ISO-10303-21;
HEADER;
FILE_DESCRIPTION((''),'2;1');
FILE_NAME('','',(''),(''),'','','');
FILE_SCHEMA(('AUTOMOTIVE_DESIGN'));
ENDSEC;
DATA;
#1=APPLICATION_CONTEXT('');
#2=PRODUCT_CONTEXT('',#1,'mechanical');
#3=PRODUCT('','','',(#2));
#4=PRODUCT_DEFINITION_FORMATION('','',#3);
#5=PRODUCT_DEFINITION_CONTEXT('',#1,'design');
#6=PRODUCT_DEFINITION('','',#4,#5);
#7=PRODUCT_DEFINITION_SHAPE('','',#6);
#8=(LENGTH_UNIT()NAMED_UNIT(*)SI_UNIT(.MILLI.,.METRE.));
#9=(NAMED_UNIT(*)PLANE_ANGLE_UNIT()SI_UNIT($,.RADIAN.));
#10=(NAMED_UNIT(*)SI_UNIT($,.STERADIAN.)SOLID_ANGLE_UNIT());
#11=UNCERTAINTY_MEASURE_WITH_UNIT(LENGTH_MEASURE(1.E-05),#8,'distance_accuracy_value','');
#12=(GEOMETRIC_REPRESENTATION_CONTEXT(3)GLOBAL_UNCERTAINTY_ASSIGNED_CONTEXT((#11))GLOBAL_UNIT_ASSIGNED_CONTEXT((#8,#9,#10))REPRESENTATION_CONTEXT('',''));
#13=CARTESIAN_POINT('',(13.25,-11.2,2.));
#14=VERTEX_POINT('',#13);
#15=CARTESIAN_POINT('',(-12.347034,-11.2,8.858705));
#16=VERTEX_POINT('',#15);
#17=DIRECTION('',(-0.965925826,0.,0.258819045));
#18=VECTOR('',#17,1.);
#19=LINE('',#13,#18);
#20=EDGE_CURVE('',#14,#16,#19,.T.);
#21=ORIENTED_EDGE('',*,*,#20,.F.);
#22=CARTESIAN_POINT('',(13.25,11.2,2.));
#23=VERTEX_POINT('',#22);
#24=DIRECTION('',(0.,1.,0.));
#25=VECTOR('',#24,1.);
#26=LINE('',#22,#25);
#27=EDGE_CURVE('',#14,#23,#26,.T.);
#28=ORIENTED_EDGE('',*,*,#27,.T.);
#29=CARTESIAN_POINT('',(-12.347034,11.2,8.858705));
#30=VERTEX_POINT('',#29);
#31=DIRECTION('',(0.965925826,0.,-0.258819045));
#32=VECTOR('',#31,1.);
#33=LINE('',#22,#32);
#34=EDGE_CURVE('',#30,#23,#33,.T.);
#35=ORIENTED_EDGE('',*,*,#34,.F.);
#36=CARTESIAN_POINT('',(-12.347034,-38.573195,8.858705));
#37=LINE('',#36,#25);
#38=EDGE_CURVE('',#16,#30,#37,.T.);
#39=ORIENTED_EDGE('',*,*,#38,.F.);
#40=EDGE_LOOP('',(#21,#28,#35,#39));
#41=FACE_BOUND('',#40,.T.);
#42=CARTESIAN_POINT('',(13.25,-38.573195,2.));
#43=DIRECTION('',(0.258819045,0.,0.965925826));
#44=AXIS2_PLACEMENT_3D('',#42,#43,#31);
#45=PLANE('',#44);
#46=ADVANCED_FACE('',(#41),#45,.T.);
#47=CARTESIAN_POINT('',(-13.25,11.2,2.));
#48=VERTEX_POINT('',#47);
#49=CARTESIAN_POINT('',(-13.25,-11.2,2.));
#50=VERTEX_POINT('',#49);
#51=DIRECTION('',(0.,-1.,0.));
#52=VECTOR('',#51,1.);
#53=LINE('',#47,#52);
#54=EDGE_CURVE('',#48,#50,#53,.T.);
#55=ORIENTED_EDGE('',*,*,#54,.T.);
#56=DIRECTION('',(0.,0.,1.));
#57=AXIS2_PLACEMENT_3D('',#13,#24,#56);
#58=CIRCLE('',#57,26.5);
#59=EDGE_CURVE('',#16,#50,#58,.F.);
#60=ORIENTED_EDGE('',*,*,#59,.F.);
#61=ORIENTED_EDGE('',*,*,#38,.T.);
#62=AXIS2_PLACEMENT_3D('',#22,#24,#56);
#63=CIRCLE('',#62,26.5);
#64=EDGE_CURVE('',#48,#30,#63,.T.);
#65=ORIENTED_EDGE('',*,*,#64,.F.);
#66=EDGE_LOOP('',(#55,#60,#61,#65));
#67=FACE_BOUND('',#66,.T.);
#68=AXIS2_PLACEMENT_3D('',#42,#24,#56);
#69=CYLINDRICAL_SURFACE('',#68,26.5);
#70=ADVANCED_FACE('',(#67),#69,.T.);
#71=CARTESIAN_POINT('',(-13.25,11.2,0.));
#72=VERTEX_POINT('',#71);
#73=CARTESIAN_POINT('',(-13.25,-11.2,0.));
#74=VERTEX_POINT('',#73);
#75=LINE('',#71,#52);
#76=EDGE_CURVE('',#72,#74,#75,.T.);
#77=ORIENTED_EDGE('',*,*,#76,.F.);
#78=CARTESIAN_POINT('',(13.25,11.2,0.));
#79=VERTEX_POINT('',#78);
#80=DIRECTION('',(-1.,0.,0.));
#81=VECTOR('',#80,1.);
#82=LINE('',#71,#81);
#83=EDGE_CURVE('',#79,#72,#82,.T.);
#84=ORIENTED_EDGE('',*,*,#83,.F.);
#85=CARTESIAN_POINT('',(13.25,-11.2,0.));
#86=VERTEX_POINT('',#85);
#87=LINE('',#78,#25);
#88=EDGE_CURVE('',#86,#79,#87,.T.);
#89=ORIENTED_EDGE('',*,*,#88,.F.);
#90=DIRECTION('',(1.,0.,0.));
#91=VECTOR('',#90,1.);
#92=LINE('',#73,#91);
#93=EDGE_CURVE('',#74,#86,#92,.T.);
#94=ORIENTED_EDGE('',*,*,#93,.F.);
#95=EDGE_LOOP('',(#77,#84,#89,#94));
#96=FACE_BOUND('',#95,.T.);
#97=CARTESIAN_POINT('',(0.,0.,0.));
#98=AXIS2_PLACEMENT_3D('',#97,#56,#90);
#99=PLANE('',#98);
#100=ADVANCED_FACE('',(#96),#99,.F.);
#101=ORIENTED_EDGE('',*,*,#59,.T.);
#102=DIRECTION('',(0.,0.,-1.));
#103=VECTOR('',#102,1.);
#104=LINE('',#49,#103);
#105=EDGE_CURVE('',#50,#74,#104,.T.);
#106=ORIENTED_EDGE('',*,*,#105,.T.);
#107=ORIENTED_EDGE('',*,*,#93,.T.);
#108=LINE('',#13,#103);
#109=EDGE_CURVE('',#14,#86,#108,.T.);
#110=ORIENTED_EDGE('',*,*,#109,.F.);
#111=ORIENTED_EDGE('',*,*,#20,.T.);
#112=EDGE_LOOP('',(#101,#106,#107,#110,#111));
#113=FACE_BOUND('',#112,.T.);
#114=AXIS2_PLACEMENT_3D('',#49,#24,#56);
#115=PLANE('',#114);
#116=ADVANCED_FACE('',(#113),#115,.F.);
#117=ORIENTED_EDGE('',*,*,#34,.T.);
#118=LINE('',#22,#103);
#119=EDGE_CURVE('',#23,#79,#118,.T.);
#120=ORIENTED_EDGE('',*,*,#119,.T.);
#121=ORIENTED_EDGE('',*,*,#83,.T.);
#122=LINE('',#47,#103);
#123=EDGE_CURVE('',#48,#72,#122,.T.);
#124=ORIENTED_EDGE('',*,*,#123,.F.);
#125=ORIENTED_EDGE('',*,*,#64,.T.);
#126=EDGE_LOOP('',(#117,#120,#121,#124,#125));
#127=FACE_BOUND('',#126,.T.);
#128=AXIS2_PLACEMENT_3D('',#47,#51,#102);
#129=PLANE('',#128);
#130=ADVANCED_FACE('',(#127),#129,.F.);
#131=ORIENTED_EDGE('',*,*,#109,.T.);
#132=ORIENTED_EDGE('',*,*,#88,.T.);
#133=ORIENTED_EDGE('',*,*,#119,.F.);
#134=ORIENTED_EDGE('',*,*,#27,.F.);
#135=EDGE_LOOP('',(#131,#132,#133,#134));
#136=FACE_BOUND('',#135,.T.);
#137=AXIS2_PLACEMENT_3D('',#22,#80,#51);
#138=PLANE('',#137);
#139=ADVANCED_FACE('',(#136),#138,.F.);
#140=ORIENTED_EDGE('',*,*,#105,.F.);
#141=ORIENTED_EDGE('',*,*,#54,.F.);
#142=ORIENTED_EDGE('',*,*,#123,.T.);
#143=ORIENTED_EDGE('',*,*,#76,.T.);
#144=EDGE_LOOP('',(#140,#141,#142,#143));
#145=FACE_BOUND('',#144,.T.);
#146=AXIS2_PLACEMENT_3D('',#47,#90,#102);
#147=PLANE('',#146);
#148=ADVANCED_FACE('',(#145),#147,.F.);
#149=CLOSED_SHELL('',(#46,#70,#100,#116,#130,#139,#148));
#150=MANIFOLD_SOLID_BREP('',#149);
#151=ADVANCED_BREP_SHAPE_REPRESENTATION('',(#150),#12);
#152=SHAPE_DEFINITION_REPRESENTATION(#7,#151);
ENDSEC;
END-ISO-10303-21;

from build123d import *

# Parameters (mm, degrees)
SKETCH1_W           = 26.5
SKETCH1_H           = 22.4
BOSS_EXTRUDE1_DEPTH = 2
BOSS_EXTRUDE2_DEPTH = 22.4


with BuildPart() as part:
    # Sketch1 → Boss-Extrude1 (new body)
    with BuildSketch(Plane.XY):
        Rectangle(SKETCH1_W, SKETCH1_H)
    extrude(amount=BOSS_EXTRUDE1_DEPTH)

    # Sketch2 → Boss-Extrude2 (add)
    with BuildSketch(Plane(origin=(0, 11.2, 0), x_dir=(1, 0, 0), z_dir=(0, 1, 0))):
        with BuildLine():
            Line((13.25, -2), (-12.347034397, -8.858704695))
            ThreePointArc((-12.347034397, -8.858704695), (-13.023288826, -5.458944094), (-13.25, -2))
            Line((-13.25, -2), (13.25, -2))
        make_face()
    extrude(amount=-BOSS_EXTRUDE2_DEPTH)


solid = part.part
